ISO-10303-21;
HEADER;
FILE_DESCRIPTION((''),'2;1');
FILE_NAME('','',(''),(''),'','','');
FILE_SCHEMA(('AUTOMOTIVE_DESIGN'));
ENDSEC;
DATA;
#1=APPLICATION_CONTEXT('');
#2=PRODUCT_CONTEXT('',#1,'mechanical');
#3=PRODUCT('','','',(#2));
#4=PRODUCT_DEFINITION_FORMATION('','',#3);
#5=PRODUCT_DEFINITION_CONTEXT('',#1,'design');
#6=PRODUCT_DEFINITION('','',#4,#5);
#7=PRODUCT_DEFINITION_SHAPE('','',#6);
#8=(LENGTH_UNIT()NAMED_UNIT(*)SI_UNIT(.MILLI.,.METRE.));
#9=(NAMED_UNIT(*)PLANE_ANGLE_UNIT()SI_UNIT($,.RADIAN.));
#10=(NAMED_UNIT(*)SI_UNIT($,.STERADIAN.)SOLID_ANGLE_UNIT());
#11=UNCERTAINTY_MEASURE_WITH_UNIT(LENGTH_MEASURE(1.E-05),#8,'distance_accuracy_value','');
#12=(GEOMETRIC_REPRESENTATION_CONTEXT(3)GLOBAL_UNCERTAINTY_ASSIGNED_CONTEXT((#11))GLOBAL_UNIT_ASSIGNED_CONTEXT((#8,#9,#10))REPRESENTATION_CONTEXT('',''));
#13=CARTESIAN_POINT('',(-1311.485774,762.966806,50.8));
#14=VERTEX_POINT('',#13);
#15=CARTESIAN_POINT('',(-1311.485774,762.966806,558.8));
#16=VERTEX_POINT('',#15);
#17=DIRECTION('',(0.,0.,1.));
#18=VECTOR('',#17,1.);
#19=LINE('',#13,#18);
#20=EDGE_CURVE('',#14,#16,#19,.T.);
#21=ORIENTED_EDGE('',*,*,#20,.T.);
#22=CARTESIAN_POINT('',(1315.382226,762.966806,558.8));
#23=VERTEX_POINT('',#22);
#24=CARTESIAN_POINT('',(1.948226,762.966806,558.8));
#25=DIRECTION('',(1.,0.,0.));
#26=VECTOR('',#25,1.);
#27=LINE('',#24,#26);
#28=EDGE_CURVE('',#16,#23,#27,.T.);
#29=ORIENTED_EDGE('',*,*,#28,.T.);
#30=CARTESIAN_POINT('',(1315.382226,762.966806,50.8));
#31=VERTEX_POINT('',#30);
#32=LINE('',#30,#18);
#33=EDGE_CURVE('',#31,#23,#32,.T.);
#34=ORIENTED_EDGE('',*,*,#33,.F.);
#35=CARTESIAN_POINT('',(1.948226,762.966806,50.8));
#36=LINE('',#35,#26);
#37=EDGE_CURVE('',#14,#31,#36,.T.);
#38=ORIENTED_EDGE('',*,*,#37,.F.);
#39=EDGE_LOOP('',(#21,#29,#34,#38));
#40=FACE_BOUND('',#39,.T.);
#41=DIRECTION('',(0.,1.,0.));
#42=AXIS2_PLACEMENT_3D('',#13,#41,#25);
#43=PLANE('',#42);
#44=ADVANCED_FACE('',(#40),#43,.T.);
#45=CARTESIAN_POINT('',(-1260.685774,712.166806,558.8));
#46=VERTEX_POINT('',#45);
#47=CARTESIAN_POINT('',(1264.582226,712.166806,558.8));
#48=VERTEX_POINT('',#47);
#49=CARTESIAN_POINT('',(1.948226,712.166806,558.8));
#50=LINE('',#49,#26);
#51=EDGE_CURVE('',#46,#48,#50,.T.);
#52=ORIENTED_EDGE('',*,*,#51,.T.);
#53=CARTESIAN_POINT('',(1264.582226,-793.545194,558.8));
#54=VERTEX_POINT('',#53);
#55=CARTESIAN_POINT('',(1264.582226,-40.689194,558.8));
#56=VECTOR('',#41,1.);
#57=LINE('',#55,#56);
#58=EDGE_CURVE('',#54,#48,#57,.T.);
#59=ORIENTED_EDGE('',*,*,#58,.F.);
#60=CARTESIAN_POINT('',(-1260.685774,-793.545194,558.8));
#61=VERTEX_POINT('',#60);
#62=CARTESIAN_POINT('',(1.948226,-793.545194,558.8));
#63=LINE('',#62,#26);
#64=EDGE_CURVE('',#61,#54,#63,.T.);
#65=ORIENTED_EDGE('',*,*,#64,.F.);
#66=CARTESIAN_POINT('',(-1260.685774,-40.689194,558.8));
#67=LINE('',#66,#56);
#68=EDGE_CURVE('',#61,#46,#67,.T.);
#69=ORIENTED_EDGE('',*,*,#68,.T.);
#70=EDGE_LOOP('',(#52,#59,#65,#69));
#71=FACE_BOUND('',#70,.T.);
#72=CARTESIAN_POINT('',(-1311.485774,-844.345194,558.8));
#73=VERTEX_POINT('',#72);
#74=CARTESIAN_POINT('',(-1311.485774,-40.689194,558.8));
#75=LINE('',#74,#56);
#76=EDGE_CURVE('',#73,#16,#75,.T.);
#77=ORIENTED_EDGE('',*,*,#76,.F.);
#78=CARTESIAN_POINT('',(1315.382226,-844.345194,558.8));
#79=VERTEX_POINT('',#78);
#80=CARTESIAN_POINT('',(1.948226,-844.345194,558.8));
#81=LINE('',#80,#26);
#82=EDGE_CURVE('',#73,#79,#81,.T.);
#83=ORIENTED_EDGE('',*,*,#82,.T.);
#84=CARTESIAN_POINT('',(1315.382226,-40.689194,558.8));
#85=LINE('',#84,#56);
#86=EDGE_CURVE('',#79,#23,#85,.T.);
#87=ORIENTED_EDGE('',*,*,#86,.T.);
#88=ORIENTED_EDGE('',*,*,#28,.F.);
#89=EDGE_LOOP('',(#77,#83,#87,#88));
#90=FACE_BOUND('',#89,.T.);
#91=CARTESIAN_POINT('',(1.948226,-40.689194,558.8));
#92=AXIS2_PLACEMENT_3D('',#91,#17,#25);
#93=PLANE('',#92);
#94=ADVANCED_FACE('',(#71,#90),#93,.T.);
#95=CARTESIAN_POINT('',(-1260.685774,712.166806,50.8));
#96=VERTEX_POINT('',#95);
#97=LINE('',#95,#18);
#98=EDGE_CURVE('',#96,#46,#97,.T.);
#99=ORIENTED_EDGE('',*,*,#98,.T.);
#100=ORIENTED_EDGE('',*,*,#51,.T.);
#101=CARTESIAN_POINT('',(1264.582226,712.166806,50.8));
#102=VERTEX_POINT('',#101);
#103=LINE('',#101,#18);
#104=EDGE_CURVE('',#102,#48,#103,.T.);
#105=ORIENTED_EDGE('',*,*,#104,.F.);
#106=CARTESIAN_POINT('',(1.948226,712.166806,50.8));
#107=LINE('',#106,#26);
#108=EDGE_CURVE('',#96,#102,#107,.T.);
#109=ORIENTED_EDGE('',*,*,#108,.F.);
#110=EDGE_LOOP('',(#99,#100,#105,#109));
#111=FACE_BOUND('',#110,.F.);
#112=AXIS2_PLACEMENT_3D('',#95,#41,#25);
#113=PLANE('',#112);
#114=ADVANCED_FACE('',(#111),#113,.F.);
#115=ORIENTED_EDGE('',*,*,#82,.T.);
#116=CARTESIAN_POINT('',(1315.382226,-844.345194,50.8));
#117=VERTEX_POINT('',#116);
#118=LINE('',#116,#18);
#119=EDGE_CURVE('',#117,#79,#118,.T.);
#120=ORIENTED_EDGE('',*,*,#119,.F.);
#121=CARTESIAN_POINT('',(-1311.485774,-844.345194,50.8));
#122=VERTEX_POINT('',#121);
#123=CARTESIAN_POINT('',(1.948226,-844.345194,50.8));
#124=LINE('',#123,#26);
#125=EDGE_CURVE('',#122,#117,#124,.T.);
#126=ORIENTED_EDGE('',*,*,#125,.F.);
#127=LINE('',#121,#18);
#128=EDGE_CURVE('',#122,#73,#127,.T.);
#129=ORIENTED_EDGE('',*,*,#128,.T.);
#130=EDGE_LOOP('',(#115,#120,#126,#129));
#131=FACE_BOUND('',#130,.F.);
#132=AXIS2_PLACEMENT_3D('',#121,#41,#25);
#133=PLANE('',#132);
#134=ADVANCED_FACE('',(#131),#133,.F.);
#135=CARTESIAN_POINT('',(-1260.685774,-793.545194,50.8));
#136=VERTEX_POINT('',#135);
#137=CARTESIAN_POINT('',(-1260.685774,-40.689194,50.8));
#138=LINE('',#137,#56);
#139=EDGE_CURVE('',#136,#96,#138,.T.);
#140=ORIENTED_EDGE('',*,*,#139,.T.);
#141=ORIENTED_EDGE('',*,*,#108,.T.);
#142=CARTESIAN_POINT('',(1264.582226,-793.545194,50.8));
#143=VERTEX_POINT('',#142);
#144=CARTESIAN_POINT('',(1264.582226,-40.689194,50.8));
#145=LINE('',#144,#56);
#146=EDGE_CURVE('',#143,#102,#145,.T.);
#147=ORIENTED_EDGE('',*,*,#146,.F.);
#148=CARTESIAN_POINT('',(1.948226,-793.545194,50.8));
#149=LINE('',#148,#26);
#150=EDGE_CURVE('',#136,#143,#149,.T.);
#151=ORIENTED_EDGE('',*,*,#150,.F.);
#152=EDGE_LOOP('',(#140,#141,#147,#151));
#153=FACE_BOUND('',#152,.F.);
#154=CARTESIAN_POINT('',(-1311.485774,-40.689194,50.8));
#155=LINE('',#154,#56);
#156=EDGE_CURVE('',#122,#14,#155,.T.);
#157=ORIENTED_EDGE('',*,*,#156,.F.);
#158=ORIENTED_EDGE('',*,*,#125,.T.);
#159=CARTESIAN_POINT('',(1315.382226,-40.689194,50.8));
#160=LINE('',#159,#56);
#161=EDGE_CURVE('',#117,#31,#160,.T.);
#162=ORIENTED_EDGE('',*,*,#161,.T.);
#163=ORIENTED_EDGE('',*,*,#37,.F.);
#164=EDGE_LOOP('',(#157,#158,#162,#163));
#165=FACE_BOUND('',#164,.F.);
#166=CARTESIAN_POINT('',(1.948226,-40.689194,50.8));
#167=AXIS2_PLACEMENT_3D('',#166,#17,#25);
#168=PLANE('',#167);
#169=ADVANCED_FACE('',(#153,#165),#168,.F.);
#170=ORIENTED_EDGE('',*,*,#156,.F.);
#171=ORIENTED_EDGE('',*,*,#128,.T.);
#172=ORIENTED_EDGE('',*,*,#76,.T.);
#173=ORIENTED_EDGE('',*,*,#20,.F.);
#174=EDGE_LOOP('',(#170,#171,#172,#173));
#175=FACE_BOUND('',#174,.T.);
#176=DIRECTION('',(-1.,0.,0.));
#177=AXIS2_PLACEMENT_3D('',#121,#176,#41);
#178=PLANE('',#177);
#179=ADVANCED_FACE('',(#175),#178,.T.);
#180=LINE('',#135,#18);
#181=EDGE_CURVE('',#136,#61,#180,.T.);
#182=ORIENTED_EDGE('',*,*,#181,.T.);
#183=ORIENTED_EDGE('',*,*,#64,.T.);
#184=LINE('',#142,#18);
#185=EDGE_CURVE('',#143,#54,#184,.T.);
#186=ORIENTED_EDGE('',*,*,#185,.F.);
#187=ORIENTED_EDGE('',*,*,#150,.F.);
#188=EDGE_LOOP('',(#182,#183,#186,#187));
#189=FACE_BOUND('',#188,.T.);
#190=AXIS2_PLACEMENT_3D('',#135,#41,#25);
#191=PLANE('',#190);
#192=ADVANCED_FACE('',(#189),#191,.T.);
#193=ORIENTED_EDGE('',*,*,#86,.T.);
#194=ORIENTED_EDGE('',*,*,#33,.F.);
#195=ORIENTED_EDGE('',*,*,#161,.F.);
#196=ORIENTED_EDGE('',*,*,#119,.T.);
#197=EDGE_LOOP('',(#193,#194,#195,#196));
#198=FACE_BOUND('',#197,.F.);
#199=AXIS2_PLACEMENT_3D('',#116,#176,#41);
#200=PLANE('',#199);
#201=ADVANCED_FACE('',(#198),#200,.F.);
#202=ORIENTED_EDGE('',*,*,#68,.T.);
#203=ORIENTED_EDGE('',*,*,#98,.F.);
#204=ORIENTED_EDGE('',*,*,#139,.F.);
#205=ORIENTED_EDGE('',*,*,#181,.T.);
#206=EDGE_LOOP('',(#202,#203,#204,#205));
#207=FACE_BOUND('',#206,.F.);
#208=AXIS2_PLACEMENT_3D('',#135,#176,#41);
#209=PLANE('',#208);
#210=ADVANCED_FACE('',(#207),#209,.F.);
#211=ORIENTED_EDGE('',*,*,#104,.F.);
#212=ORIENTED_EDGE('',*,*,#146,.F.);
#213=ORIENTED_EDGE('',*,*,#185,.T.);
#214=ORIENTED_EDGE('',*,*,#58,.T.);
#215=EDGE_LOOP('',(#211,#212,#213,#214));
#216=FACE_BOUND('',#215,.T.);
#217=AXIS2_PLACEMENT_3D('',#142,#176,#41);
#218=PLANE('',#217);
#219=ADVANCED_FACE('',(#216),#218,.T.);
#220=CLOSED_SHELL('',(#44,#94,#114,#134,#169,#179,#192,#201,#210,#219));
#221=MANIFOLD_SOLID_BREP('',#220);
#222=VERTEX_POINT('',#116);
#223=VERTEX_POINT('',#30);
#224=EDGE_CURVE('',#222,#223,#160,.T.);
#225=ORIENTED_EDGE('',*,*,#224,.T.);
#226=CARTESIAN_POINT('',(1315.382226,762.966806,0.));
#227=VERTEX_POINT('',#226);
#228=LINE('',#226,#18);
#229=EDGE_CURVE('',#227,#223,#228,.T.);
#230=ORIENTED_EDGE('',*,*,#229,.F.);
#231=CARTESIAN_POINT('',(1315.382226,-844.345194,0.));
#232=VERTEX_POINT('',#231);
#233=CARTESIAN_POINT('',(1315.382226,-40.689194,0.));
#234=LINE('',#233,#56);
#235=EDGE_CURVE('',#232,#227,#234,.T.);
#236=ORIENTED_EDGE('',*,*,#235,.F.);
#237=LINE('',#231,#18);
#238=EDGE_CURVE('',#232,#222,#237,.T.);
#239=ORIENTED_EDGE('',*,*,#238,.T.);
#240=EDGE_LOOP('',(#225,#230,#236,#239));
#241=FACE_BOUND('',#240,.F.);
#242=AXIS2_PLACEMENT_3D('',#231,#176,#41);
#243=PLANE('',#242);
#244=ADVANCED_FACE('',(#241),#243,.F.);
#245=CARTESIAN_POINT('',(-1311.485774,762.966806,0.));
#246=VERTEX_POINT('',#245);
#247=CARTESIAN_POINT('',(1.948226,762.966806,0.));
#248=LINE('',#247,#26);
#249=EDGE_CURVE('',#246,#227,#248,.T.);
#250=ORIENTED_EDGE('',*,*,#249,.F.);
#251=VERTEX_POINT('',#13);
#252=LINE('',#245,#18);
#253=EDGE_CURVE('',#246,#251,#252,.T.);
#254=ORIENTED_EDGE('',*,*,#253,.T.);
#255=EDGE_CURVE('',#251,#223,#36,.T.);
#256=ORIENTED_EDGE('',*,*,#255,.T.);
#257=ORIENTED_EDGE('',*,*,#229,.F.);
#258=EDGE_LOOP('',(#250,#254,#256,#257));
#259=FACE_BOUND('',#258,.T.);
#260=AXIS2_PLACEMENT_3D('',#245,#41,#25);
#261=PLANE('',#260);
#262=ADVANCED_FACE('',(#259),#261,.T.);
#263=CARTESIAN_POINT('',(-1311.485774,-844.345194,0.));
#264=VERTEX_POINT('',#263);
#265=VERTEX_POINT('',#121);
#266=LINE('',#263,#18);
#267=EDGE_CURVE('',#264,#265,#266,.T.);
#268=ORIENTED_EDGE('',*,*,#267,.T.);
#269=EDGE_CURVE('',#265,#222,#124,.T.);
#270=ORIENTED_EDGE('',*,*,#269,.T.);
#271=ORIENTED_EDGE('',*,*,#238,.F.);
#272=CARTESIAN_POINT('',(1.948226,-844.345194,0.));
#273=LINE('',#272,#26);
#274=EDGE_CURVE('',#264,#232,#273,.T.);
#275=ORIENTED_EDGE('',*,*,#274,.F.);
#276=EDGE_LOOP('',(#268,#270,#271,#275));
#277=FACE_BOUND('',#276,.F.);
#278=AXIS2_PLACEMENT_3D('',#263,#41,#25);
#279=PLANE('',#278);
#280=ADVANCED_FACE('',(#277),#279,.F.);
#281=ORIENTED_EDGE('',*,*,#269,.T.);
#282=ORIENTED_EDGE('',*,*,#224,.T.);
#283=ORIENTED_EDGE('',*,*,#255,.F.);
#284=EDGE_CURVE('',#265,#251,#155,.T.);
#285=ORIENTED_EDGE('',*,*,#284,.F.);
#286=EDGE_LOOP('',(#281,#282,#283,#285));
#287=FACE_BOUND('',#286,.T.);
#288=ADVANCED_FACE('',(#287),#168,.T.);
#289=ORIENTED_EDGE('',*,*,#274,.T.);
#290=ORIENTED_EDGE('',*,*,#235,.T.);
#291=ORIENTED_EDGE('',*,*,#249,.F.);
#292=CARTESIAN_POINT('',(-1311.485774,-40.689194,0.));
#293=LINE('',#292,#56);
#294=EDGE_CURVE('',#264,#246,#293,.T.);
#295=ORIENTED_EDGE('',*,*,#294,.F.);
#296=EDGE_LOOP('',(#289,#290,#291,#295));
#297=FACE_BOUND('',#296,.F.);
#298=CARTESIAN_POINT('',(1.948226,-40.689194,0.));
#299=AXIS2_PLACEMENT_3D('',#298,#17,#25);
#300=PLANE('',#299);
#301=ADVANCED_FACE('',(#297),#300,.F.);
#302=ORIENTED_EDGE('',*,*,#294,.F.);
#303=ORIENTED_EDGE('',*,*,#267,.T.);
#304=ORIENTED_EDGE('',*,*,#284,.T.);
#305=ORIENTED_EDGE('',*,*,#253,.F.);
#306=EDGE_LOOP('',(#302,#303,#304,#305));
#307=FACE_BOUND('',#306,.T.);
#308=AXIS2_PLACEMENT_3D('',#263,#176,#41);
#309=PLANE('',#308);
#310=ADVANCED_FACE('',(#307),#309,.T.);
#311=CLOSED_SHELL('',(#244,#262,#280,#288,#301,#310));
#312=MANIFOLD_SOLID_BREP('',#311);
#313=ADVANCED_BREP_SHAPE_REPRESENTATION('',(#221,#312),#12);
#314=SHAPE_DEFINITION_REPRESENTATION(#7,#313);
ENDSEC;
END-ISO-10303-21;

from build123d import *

# Parameters (mm, degrees)
F0_W     = 2626.868
F0_H     = 1607.312
F1_DEPTH = 50.8
F2_W     = 2626.868
F2_H     = 1607.312
F2_W_2   = 2525.268
F2_H_2   = 1505.712
F3_DEPTH = 508


with BuildPart() as f1:
    # F0 (on Top) → F1 (new body)
    with BuildSketch(Plane.XY):
        with Locations((1.948226, -40.689194)):
            Rectangle(F0_W, F0_H)
    extrude(amount=F1_DEPTH)


with BuildPart() as f3:
    # F2 (on face) → F3 (new body)
    with BuildSketch(Plane.XY.offset(50.8)):
        with Locations((1.948226, -40.689194)):
            Rectangle(F2_W, F2_H)
        with Locations((1.948226, -40.689194)):
            Rectangle(F2_W_2, F2_H_2, mode=Mode.SUBTRACT)
    extrude(amount=F3_DEPTH)


solid = Compound([f1.part, f3.part])
